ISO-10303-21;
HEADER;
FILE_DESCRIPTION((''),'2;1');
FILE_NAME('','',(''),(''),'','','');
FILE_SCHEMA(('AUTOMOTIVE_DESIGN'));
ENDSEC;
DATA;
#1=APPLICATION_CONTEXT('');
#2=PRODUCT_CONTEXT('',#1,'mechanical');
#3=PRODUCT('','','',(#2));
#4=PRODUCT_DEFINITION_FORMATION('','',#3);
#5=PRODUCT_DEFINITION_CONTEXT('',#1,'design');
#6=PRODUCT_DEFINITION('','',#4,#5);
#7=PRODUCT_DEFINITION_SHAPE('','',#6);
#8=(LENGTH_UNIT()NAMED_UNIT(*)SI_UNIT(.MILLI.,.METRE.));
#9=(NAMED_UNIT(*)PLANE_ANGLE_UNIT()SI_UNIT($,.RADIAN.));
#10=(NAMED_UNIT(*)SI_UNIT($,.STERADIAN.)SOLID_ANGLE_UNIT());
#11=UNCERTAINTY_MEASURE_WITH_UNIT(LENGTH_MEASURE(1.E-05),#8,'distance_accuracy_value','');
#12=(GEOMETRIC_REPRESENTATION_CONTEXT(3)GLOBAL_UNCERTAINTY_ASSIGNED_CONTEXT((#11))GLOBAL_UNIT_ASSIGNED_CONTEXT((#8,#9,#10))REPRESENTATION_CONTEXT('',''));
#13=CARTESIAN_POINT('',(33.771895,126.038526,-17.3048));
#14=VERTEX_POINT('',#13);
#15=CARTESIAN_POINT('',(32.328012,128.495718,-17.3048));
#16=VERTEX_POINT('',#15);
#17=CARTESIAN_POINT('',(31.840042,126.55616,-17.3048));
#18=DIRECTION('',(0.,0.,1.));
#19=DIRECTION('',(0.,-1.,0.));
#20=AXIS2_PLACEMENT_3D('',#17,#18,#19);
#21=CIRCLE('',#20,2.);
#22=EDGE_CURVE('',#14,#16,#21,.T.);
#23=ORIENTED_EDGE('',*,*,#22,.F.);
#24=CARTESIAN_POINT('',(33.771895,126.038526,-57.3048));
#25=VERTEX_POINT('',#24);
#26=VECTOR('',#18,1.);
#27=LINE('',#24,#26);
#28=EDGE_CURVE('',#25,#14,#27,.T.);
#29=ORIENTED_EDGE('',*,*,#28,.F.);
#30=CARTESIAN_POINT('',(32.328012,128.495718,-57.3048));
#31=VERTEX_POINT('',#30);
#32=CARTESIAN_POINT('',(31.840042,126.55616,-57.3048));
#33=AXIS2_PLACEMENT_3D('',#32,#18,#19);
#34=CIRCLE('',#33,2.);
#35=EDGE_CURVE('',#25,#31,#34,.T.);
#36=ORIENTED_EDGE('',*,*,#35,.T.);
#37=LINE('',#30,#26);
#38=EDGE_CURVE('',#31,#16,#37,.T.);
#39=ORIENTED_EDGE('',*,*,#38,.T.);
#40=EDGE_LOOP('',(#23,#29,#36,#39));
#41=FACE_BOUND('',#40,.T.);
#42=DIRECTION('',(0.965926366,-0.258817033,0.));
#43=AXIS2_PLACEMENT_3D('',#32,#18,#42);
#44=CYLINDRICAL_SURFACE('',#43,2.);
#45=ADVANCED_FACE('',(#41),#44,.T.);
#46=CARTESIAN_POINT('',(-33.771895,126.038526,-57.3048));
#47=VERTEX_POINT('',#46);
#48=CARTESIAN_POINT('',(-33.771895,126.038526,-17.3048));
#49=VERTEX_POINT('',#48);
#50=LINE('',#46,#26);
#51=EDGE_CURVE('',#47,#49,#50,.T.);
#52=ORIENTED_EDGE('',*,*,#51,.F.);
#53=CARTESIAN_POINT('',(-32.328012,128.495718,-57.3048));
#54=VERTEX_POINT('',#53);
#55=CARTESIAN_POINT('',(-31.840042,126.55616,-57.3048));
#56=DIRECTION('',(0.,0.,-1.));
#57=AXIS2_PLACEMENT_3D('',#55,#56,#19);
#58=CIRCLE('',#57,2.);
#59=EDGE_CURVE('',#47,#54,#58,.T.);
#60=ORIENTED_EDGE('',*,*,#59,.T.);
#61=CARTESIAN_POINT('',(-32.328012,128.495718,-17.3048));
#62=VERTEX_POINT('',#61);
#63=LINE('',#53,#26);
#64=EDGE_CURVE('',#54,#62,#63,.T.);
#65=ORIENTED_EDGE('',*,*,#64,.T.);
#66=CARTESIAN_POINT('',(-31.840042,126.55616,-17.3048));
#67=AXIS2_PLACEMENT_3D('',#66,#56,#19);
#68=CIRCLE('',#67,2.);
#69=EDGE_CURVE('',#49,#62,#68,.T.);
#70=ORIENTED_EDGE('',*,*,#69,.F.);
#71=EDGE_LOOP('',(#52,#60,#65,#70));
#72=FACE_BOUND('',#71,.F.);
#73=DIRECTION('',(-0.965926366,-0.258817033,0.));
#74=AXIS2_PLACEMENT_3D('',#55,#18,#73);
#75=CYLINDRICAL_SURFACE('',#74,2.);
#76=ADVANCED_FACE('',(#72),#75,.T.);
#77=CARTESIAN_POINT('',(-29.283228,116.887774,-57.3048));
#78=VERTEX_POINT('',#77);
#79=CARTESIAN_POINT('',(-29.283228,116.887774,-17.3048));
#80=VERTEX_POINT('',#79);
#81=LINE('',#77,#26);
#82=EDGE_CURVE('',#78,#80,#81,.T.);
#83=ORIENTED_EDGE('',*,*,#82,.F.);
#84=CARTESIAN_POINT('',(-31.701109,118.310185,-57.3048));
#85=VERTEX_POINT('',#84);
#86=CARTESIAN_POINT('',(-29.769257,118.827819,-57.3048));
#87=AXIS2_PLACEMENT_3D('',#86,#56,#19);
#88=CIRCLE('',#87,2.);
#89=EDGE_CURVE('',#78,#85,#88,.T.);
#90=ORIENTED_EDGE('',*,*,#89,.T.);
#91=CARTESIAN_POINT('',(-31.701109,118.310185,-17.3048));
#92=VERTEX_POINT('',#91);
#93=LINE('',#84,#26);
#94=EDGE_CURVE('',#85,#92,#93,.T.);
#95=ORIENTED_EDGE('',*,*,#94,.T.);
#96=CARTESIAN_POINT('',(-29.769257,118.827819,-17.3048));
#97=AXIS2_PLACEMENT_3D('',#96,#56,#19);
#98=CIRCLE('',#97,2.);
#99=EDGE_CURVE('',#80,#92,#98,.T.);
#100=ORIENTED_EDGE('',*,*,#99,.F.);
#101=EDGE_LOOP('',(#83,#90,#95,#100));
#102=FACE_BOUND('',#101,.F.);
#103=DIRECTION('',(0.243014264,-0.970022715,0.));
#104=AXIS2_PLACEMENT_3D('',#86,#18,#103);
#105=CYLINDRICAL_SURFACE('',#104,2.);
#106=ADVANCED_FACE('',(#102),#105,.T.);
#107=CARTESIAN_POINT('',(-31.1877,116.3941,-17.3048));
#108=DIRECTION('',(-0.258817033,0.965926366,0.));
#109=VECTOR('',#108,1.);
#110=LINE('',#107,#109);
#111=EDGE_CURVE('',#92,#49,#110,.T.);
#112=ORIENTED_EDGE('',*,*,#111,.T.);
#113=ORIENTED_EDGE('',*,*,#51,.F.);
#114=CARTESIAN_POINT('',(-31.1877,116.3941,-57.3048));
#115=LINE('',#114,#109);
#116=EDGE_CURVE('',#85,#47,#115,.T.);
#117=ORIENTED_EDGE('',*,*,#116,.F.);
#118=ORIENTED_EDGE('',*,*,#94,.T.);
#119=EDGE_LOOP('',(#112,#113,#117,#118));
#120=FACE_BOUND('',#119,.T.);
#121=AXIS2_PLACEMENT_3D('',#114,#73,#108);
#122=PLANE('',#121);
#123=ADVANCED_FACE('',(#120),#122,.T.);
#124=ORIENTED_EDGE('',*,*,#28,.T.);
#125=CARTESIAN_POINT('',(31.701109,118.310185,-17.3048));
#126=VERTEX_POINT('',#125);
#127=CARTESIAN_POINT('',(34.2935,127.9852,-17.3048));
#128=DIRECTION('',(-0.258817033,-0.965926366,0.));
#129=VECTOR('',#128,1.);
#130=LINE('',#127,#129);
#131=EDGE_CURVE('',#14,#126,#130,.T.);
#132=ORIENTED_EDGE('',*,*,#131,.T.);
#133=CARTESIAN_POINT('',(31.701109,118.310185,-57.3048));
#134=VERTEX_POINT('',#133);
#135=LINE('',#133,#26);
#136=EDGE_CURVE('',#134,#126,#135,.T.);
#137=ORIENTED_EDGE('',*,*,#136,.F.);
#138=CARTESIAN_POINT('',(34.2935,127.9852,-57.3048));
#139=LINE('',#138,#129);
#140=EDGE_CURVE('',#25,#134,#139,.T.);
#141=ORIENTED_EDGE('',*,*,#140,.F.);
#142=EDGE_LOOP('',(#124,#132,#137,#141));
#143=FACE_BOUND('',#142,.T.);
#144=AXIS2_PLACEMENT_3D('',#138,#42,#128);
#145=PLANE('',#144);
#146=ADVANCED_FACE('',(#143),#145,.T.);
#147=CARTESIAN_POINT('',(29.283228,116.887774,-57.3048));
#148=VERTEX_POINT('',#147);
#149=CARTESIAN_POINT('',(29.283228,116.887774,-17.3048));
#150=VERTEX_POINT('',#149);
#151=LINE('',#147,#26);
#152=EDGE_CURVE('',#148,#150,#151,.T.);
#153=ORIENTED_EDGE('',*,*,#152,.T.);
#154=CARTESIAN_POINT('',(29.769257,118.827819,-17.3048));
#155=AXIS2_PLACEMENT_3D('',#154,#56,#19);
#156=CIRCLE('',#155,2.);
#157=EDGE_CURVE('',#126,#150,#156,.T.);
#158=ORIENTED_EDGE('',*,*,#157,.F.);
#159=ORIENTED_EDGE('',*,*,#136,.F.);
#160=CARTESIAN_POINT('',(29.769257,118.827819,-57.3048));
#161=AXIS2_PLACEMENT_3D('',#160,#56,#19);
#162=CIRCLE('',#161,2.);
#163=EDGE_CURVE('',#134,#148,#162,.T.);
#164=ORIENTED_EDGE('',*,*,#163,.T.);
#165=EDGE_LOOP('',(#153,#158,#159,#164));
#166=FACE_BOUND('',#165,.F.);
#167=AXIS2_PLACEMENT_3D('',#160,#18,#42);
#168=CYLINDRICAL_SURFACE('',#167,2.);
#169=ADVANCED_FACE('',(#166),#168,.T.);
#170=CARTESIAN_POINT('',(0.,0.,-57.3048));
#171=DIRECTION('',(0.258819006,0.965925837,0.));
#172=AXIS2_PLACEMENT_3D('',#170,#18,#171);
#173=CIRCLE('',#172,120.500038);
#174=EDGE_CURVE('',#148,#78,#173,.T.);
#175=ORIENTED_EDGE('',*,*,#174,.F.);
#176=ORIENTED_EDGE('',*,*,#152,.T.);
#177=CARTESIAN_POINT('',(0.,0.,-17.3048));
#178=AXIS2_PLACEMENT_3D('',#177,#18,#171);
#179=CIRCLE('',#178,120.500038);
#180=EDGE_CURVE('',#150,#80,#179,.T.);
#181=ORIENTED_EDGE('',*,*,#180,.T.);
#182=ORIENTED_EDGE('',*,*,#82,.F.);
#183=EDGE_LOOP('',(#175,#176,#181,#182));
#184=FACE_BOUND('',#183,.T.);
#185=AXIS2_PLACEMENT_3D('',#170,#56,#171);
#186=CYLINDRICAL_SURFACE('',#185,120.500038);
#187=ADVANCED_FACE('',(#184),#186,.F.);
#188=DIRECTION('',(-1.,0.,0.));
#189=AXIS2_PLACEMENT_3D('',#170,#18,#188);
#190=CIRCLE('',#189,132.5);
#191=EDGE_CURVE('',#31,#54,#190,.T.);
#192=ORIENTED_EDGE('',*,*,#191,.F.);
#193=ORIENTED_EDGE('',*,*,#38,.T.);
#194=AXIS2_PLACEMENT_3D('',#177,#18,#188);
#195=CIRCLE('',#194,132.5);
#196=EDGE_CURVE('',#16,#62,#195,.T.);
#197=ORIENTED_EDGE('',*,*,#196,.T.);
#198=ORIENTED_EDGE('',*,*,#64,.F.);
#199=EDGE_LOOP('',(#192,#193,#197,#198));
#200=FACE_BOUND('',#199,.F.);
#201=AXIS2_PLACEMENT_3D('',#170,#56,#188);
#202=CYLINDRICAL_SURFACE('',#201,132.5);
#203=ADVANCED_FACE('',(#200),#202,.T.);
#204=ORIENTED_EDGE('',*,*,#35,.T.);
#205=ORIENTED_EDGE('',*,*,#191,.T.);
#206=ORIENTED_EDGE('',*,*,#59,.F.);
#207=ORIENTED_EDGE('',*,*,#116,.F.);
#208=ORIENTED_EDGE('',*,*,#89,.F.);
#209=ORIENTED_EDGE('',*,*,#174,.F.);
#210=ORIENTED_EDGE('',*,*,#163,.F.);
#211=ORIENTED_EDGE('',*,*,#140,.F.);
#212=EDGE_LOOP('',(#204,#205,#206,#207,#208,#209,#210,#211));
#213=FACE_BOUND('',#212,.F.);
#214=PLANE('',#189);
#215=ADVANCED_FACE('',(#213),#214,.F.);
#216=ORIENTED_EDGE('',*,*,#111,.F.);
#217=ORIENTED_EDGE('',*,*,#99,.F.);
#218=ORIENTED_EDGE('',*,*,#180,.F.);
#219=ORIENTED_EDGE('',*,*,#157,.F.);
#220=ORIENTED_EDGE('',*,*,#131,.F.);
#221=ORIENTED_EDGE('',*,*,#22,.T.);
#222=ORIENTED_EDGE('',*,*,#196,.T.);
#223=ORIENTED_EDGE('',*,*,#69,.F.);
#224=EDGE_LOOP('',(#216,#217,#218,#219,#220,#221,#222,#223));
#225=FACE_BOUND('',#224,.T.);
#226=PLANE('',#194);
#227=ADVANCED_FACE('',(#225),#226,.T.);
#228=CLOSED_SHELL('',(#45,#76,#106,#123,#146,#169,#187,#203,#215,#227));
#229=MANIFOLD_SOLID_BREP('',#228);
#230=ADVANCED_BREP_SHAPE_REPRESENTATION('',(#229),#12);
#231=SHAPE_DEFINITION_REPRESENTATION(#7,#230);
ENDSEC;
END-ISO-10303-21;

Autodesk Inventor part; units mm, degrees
ref_plane "YZ Plane" through (0, 0, 0) normal (1, 0, 0) x (0, 1, 0)
ref_plane "XZ Plane" through (0, 0, 0) normal (0, 1, 0) x (-1, 0, 0)
ref_plane "РабПлоскость1" through (0, 0, -57.3048) normal (0, 0, 1) x (-1, 0, 0)
sketch "Эскиз1" plane through (0, 0, -57.3048) normal (0, 0, 1) x (-1, 0, 0)
  circle A0 centre (0, 0) radius 132.5 projected
  line L0 (31.1877, -116.3941) -> (34.2935, -127.9852) projected
  arc A1 (-31.1877, -116.3941) -> (31.1877, -116.3941) centre (0, 0) ccw projected
  line L1 (-34.2935, -127.9852) -> (-31.1877, -116.3941) projected
  point P0 (0, 0)
ref_plane "РабПлоскость2" through (-132.2012, -132.5, -3) normal (0, 0, -1) x (0, 1, 0)
extrude "Выдавливание1" add sketch "Эскиз1" along normal blind 40 contours L1 A1 L0 A0 picked at (24.6238, -125.9568)
fillet "Сопряжение1" radius 2 4 edges at (34.2935, 127.9852, -37.3048) (31.1877, 116.3941, -37.3048) (-31.1877, 116.3941, -37.3048) (-34.2935, 127.9852, -37.3048)
properties part number "Стойка"
